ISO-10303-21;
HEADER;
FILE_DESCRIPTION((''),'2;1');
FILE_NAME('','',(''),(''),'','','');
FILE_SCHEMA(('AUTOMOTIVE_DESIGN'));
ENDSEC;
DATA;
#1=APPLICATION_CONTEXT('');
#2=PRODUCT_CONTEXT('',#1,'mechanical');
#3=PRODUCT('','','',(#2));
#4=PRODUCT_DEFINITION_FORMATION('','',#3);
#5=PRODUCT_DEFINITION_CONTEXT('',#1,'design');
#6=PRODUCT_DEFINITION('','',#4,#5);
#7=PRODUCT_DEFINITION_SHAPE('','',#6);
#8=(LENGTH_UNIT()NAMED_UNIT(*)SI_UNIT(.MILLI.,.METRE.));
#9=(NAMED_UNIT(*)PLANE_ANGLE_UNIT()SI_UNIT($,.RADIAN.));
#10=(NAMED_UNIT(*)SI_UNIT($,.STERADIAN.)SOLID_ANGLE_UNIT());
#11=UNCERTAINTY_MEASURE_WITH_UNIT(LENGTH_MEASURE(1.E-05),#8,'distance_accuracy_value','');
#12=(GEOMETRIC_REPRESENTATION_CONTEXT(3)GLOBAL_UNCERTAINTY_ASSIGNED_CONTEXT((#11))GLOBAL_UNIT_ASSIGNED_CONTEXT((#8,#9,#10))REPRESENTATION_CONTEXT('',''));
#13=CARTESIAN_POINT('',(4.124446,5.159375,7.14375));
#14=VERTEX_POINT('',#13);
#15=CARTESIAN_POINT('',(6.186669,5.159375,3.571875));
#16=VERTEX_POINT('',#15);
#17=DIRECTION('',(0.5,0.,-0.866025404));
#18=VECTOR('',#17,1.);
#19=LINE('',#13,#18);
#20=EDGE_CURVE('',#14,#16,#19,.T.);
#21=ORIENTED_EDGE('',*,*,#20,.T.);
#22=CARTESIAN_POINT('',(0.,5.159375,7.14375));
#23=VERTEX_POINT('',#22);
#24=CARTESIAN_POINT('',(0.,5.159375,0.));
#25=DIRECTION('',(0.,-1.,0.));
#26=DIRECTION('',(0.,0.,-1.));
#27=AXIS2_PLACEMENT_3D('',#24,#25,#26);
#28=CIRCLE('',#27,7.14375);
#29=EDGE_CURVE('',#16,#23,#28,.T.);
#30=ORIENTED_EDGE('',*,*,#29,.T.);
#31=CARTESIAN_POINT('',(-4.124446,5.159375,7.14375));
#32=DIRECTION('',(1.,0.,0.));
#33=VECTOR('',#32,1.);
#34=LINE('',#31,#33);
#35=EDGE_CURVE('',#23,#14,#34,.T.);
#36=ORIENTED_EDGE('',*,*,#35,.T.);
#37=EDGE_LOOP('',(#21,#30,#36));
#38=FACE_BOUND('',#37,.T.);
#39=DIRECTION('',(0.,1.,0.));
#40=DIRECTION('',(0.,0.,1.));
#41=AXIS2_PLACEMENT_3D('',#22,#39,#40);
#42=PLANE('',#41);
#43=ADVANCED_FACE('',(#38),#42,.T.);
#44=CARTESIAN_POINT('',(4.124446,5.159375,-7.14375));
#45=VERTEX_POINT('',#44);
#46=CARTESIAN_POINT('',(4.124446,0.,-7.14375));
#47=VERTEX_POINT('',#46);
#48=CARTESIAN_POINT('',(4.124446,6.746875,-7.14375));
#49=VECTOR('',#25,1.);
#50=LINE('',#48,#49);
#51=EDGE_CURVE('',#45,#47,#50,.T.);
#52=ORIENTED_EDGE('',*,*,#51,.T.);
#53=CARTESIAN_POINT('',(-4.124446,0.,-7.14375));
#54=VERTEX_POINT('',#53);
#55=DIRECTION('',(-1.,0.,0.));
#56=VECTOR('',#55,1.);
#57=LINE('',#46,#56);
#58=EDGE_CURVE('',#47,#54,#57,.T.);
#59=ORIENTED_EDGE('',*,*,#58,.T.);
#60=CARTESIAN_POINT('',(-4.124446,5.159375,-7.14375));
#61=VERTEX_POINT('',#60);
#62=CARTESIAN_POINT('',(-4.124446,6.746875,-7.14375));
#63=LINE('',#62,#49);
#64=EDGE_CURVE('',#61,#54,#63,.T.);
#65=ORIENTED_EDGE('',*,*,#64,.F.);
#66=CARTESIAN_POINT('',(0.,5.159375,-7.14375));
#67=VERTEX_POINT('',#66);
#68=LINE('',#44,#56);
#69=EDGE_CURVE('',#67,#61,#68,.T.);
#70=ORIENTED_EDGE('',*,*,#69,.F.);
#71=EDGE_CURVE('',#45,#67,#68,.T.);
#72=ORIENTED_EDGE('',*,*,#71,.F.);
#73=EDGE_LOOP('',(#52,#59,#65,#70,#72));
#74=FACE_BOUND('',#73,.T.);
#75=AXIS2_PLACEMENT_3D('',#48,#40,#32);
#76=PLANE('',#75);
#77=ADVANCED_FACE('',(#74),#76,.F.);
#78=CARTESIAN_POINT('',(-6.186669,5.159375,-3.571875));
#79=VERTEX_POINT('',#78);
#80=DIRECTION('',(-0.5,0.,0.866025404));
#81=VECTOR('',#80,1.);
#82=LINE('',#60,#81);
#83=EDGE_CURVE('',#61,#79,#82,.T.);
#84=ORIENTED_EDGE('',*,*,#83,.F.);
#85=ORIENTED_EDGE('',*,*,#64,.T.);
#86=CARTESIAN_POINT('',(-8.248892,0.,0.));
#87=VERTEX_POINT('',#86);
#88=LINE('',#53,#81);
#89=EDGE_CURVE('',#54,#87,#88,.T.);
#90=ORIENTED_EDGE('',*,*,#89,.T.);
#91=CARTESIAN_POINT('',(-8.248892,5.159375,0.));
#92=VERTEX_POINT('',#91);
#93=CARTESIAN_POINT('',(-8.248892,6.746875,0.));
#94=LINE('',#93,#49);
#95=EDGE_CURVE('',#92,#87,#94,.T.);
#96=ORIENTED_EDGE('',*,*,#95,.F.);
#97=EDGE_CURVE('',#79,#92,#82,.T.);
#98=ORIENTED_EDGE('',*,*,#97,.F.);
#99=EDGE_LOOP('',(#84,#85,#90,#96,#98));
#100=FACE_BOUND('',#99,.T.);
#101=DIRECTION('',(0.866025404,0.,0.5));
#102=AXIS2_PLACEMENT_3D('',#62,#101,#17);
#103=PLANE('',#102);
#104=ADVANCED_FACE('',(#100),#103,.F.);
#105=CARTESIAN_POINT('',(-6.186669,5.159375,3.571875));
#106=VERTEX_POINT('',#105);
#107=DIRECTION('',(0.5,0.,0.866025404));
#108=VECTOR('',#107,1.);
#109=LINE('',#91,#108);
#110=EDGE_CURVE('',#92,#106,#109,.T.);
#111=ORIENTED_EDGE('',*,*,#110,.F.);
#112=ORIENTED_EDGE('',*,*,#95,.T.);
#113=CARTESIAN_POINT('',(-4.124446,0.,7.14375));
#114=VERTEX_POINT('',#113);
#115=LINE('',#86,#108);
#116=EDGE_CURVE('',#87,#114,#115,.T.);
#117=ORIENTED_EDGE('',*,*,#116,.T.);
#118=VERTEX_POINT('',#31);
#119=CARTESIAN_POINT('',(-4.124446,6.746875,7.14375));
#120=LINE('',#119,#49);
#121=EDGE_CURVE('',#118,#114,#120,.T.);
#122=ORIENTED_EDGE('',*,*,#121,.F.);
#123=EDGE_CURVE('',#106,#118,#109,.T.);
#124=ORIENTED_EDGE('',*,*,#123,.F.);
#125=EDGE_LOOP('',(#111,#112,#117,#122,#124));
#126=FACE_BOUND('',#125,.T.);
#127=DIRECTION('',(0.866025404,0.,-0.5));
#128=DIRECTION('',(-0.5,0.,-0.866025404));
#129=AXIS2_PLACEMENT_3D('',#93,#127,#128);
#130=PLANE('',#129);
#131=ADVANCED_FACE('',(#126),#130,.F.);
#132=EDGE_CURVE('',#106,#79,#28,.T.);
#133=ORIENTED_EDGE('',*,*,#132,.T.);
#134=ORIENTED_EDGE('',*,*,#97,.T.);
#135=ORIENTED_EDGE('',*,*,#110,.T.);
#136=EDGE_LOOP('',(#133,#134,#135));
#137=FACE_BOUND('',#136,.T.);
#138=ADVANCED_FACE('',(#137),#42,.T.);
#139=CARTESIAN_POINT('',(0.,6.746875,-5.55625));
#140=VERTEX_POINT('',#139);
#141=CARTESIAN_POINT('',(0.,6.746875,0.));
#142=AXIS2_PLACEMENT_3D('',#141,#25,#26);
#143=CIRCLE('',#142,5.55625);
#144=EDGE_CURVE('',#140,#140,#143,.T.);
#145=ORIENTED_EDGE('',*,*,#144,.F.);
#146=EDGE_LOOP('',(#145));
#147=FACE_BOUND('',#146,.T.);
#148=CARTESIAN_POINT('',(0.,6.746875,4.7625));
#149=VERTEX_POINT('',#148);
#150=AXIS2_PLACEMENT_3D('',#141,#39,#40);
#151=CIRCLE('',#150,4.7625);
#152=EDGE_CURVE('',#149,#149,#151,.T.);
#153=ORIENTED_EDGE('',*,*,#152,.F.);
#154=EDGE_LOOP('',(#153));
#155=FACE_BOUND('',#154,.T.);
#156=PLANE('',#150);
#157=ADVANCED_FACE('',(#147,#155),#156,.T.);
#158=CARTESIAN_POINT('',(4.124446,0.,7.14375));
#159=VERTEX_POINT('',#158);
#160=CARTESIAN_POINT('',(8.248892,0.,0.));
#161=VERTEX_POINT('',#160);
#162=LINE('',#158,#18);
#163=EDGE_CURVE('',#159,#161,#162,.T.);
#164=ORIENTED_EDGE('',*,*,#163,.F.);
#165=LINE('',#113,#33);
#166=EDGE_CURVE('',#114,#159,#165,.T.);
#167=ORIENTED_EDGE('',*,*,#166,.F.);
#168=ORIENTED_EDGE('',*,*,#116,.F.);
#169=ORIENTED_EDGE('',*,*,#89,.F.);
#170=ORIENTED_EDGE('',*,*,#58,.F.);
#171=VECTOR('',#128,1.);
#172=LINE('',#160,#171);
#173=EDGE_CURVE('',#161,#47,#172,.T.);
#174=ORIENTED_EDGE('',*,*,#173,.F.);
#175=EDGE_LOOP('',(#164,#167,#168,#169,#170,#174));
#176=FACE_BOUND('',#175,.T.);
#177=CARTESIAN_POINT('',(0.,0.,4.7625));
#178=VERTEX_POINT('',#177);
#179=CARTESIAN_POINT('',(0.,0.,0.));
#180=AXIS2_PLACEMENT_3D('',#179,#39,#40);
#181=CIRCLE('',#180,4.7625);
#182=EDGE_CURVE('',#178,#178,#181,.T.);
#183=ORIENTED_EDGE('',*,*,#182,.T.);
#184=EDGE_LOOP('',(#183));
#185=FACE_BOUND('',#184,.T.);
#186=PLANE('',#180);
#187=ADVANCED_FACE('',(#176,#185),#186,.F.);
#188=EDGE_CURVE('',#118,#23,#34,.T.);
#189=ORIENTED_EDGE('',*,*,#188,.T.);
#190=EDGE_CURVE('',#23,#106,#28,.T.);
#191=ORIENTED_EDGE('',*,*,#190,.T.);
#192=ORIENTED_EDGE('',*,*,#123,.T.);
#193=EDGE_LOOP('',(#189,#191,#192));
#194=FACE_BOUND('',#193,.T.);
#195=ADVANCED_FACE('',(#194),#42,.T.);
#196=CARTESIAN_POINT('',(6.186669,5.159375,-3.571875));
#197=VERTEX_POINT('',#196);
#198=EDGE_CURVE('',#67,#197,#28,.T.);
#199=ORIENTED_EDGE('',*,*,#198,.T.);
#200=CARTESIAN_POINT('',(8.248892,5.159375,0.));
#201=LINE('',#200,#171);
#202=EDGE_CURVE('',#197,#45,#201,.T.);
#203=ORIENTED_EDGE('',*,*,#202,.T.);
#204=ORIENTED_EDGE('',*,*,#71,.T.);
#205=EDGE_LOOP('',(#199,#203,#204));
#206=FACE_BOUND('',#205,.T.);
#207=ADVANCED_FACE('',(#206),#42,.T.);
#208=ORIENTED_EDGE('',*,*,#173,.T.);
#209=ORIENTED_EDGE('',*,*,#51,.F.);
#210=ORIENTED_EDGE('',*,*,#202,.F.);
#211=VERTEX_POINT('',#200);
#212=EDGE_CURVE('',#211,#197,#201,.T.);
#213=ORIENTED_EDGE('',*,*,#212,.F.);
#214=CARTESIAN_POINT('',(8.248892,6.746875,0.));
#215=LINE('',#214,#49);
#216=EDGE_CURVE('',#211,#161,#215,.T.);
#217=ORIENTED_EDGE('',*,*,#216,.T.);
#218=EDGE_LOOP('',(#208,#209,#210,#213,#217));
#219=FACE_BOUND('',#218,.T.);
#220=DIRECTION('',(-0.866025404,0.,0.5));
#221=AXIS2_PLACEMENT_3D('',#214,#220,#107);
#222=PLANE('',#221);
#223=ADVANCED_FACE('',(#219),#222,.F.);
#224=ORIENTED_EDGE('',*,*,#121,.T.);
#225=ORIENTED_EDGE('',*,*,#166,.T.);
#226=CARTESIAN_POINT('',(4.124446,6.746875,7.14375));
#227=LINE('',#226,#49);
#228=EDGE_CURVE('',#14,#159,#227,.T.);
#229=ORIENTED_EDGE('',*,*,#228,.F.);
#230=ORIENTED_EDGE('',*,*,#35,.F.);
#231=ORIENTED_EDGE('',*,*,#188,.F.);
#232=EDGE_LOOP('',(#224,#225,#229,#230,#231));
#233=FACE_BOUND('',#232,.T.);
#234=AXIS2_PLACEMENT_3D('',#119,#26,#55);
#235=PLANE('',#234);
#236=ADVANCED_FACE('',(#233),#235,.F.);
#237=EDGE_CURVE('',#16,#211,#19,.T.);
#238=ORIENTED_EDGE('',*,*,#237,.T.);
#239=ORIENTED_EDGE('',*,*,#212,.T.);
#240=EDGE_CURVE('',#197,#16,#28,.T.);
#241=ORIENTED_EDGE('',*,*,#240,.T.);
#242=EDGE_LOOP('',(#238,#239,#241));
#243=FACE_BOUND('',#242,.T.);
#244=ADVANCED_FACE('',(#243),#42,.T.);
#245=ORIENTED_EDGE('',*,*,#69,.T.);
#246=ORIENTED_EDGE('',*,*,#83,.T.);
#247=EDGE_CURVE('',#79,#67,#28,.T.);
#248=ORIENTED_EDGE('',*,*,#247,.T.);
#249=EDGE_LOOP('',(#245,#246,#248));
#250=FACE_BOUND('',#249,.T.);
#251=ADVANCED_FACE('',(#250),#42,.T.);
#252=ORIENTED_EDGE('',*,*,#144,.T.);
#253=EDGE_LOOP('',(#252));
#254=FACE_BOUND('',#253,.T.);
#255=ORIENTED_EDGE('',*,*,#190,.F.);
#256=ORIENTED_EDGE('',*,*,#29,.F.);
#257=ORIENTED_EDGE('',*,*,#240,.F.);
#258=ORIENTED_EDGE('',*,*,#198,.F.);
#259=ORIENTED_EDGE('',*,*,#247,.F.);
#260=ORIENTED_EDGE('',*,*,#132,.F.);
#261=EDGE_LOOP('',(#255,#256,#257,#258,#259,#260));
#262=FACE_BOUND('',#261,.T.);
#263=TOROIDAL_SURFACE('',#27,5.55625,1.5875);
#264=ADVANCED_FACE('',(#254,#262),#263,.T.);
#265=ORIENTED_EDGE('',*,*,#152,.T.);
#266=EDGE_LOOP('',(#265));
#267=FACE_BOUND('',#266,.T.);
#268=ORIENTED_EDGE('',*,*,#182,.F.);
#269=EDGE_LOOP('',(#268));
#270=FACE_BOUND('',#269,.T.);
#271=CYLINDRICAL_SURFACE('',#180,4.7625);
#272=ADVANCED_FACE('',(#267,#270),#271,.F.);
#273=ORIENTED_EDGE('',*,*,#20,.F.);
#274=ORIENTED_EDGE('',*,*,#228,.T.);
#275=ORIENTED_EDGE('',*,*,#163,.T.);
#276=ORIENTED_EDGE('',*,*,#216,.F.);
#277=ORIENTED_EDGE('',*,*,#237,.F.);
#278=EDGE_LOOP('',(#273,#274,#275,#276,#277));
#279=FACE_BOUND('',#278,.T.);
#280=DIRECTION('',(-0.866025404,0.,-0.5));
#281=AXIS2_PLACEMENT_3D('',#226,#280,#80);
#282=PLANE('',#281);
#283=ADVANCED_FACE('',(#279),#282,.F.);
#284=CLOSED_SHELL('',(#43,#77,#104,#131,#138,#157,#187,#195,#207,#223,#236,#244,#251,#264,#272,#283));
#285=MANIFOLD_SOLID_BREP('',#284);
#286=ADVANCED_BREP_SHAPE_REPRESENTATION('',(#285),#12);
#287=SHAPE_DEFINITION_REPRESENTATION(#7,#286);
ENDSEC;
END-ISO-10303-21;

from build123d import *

# Parameters (mm, degrees)
BOSS_EXTRU_1_DEPTH      = 6.746875
ESQUISSE2_R             = 4.7625
ENL_V_MAT_EXTRU_1_DEPTH = 13.829563713


with BuildPart() as part:
    # Esquisse1 → Boss.-Extru.1 (new body)
    with BuildSketch(Plane(origin=(0, 0, 0), x_dir=(1, 0, 0), z_dir=(0, 1, 0))):
        Polygon((4.124445986, 7.14375), (-4.124445986, 7.14375), (-8.248891971, 0), (-4.124445986, -7.14375), (4.124445986, -7.14375), (8.248891971, 0), align=None)
    extrude(amount=BOSS_EXTRU_1_DEPTH)

    # Esquisse2 → Enlèv. mat.-Extru.1 (cut, through all)
    with BuildSketch(Plane(origin=(0, 6.746875, 0), x_dir=(1, 0, 0), z_dir=(0, 1, 0))):
        with Locations(Location((0, 0, 0), (0, 0, 270))):
            Circle(ESQUISSE2_R)
    extrude(amount=-ENL_V_MAT_EXTRU_1_DEPTH, mode=Mode.SUBTRACT)

    # Esquisse3 → Enlèvement de matière-Révolution1 (revolve, cut)
    with BuildSketch(Plane(origin=(0, 0, 0), x_dir=(0, 0, -1), z_dir=(1, 0, 0)), mode=Mode.PRIVATE) as enl_vement_de_mati_re_r_volution1_sk:
        with BuildLine():
            Line((-7.14375, 6.746875), (-6.35, 6.746875))
            Line((-6.35, 6.746875), (-5.55625, 6.746875))
            ThreePointArc((-5.55625, 6.746875), (-6.678782015, 6.281907015), (-7.14375, 5.159375))
            Line((-7.14375, 5.159375), (-8.73125, 5.159375))
            Line((-8.73125, 5.159375), (-8.73125, 6.746875))
            Line((-8.73125, 6.746875), (-7.14375, 6.746875))
        make_face()
    revolve(enl_vement_de_mati_re_r_volution1_sk.sketch.rotate(Axis((0, 0, 0), (0, 1, 0)), 180), axis=Axis((0, 0, 0), (0, 1, 0)), mode=Mode.SUBTRACT)


solid = part.part
